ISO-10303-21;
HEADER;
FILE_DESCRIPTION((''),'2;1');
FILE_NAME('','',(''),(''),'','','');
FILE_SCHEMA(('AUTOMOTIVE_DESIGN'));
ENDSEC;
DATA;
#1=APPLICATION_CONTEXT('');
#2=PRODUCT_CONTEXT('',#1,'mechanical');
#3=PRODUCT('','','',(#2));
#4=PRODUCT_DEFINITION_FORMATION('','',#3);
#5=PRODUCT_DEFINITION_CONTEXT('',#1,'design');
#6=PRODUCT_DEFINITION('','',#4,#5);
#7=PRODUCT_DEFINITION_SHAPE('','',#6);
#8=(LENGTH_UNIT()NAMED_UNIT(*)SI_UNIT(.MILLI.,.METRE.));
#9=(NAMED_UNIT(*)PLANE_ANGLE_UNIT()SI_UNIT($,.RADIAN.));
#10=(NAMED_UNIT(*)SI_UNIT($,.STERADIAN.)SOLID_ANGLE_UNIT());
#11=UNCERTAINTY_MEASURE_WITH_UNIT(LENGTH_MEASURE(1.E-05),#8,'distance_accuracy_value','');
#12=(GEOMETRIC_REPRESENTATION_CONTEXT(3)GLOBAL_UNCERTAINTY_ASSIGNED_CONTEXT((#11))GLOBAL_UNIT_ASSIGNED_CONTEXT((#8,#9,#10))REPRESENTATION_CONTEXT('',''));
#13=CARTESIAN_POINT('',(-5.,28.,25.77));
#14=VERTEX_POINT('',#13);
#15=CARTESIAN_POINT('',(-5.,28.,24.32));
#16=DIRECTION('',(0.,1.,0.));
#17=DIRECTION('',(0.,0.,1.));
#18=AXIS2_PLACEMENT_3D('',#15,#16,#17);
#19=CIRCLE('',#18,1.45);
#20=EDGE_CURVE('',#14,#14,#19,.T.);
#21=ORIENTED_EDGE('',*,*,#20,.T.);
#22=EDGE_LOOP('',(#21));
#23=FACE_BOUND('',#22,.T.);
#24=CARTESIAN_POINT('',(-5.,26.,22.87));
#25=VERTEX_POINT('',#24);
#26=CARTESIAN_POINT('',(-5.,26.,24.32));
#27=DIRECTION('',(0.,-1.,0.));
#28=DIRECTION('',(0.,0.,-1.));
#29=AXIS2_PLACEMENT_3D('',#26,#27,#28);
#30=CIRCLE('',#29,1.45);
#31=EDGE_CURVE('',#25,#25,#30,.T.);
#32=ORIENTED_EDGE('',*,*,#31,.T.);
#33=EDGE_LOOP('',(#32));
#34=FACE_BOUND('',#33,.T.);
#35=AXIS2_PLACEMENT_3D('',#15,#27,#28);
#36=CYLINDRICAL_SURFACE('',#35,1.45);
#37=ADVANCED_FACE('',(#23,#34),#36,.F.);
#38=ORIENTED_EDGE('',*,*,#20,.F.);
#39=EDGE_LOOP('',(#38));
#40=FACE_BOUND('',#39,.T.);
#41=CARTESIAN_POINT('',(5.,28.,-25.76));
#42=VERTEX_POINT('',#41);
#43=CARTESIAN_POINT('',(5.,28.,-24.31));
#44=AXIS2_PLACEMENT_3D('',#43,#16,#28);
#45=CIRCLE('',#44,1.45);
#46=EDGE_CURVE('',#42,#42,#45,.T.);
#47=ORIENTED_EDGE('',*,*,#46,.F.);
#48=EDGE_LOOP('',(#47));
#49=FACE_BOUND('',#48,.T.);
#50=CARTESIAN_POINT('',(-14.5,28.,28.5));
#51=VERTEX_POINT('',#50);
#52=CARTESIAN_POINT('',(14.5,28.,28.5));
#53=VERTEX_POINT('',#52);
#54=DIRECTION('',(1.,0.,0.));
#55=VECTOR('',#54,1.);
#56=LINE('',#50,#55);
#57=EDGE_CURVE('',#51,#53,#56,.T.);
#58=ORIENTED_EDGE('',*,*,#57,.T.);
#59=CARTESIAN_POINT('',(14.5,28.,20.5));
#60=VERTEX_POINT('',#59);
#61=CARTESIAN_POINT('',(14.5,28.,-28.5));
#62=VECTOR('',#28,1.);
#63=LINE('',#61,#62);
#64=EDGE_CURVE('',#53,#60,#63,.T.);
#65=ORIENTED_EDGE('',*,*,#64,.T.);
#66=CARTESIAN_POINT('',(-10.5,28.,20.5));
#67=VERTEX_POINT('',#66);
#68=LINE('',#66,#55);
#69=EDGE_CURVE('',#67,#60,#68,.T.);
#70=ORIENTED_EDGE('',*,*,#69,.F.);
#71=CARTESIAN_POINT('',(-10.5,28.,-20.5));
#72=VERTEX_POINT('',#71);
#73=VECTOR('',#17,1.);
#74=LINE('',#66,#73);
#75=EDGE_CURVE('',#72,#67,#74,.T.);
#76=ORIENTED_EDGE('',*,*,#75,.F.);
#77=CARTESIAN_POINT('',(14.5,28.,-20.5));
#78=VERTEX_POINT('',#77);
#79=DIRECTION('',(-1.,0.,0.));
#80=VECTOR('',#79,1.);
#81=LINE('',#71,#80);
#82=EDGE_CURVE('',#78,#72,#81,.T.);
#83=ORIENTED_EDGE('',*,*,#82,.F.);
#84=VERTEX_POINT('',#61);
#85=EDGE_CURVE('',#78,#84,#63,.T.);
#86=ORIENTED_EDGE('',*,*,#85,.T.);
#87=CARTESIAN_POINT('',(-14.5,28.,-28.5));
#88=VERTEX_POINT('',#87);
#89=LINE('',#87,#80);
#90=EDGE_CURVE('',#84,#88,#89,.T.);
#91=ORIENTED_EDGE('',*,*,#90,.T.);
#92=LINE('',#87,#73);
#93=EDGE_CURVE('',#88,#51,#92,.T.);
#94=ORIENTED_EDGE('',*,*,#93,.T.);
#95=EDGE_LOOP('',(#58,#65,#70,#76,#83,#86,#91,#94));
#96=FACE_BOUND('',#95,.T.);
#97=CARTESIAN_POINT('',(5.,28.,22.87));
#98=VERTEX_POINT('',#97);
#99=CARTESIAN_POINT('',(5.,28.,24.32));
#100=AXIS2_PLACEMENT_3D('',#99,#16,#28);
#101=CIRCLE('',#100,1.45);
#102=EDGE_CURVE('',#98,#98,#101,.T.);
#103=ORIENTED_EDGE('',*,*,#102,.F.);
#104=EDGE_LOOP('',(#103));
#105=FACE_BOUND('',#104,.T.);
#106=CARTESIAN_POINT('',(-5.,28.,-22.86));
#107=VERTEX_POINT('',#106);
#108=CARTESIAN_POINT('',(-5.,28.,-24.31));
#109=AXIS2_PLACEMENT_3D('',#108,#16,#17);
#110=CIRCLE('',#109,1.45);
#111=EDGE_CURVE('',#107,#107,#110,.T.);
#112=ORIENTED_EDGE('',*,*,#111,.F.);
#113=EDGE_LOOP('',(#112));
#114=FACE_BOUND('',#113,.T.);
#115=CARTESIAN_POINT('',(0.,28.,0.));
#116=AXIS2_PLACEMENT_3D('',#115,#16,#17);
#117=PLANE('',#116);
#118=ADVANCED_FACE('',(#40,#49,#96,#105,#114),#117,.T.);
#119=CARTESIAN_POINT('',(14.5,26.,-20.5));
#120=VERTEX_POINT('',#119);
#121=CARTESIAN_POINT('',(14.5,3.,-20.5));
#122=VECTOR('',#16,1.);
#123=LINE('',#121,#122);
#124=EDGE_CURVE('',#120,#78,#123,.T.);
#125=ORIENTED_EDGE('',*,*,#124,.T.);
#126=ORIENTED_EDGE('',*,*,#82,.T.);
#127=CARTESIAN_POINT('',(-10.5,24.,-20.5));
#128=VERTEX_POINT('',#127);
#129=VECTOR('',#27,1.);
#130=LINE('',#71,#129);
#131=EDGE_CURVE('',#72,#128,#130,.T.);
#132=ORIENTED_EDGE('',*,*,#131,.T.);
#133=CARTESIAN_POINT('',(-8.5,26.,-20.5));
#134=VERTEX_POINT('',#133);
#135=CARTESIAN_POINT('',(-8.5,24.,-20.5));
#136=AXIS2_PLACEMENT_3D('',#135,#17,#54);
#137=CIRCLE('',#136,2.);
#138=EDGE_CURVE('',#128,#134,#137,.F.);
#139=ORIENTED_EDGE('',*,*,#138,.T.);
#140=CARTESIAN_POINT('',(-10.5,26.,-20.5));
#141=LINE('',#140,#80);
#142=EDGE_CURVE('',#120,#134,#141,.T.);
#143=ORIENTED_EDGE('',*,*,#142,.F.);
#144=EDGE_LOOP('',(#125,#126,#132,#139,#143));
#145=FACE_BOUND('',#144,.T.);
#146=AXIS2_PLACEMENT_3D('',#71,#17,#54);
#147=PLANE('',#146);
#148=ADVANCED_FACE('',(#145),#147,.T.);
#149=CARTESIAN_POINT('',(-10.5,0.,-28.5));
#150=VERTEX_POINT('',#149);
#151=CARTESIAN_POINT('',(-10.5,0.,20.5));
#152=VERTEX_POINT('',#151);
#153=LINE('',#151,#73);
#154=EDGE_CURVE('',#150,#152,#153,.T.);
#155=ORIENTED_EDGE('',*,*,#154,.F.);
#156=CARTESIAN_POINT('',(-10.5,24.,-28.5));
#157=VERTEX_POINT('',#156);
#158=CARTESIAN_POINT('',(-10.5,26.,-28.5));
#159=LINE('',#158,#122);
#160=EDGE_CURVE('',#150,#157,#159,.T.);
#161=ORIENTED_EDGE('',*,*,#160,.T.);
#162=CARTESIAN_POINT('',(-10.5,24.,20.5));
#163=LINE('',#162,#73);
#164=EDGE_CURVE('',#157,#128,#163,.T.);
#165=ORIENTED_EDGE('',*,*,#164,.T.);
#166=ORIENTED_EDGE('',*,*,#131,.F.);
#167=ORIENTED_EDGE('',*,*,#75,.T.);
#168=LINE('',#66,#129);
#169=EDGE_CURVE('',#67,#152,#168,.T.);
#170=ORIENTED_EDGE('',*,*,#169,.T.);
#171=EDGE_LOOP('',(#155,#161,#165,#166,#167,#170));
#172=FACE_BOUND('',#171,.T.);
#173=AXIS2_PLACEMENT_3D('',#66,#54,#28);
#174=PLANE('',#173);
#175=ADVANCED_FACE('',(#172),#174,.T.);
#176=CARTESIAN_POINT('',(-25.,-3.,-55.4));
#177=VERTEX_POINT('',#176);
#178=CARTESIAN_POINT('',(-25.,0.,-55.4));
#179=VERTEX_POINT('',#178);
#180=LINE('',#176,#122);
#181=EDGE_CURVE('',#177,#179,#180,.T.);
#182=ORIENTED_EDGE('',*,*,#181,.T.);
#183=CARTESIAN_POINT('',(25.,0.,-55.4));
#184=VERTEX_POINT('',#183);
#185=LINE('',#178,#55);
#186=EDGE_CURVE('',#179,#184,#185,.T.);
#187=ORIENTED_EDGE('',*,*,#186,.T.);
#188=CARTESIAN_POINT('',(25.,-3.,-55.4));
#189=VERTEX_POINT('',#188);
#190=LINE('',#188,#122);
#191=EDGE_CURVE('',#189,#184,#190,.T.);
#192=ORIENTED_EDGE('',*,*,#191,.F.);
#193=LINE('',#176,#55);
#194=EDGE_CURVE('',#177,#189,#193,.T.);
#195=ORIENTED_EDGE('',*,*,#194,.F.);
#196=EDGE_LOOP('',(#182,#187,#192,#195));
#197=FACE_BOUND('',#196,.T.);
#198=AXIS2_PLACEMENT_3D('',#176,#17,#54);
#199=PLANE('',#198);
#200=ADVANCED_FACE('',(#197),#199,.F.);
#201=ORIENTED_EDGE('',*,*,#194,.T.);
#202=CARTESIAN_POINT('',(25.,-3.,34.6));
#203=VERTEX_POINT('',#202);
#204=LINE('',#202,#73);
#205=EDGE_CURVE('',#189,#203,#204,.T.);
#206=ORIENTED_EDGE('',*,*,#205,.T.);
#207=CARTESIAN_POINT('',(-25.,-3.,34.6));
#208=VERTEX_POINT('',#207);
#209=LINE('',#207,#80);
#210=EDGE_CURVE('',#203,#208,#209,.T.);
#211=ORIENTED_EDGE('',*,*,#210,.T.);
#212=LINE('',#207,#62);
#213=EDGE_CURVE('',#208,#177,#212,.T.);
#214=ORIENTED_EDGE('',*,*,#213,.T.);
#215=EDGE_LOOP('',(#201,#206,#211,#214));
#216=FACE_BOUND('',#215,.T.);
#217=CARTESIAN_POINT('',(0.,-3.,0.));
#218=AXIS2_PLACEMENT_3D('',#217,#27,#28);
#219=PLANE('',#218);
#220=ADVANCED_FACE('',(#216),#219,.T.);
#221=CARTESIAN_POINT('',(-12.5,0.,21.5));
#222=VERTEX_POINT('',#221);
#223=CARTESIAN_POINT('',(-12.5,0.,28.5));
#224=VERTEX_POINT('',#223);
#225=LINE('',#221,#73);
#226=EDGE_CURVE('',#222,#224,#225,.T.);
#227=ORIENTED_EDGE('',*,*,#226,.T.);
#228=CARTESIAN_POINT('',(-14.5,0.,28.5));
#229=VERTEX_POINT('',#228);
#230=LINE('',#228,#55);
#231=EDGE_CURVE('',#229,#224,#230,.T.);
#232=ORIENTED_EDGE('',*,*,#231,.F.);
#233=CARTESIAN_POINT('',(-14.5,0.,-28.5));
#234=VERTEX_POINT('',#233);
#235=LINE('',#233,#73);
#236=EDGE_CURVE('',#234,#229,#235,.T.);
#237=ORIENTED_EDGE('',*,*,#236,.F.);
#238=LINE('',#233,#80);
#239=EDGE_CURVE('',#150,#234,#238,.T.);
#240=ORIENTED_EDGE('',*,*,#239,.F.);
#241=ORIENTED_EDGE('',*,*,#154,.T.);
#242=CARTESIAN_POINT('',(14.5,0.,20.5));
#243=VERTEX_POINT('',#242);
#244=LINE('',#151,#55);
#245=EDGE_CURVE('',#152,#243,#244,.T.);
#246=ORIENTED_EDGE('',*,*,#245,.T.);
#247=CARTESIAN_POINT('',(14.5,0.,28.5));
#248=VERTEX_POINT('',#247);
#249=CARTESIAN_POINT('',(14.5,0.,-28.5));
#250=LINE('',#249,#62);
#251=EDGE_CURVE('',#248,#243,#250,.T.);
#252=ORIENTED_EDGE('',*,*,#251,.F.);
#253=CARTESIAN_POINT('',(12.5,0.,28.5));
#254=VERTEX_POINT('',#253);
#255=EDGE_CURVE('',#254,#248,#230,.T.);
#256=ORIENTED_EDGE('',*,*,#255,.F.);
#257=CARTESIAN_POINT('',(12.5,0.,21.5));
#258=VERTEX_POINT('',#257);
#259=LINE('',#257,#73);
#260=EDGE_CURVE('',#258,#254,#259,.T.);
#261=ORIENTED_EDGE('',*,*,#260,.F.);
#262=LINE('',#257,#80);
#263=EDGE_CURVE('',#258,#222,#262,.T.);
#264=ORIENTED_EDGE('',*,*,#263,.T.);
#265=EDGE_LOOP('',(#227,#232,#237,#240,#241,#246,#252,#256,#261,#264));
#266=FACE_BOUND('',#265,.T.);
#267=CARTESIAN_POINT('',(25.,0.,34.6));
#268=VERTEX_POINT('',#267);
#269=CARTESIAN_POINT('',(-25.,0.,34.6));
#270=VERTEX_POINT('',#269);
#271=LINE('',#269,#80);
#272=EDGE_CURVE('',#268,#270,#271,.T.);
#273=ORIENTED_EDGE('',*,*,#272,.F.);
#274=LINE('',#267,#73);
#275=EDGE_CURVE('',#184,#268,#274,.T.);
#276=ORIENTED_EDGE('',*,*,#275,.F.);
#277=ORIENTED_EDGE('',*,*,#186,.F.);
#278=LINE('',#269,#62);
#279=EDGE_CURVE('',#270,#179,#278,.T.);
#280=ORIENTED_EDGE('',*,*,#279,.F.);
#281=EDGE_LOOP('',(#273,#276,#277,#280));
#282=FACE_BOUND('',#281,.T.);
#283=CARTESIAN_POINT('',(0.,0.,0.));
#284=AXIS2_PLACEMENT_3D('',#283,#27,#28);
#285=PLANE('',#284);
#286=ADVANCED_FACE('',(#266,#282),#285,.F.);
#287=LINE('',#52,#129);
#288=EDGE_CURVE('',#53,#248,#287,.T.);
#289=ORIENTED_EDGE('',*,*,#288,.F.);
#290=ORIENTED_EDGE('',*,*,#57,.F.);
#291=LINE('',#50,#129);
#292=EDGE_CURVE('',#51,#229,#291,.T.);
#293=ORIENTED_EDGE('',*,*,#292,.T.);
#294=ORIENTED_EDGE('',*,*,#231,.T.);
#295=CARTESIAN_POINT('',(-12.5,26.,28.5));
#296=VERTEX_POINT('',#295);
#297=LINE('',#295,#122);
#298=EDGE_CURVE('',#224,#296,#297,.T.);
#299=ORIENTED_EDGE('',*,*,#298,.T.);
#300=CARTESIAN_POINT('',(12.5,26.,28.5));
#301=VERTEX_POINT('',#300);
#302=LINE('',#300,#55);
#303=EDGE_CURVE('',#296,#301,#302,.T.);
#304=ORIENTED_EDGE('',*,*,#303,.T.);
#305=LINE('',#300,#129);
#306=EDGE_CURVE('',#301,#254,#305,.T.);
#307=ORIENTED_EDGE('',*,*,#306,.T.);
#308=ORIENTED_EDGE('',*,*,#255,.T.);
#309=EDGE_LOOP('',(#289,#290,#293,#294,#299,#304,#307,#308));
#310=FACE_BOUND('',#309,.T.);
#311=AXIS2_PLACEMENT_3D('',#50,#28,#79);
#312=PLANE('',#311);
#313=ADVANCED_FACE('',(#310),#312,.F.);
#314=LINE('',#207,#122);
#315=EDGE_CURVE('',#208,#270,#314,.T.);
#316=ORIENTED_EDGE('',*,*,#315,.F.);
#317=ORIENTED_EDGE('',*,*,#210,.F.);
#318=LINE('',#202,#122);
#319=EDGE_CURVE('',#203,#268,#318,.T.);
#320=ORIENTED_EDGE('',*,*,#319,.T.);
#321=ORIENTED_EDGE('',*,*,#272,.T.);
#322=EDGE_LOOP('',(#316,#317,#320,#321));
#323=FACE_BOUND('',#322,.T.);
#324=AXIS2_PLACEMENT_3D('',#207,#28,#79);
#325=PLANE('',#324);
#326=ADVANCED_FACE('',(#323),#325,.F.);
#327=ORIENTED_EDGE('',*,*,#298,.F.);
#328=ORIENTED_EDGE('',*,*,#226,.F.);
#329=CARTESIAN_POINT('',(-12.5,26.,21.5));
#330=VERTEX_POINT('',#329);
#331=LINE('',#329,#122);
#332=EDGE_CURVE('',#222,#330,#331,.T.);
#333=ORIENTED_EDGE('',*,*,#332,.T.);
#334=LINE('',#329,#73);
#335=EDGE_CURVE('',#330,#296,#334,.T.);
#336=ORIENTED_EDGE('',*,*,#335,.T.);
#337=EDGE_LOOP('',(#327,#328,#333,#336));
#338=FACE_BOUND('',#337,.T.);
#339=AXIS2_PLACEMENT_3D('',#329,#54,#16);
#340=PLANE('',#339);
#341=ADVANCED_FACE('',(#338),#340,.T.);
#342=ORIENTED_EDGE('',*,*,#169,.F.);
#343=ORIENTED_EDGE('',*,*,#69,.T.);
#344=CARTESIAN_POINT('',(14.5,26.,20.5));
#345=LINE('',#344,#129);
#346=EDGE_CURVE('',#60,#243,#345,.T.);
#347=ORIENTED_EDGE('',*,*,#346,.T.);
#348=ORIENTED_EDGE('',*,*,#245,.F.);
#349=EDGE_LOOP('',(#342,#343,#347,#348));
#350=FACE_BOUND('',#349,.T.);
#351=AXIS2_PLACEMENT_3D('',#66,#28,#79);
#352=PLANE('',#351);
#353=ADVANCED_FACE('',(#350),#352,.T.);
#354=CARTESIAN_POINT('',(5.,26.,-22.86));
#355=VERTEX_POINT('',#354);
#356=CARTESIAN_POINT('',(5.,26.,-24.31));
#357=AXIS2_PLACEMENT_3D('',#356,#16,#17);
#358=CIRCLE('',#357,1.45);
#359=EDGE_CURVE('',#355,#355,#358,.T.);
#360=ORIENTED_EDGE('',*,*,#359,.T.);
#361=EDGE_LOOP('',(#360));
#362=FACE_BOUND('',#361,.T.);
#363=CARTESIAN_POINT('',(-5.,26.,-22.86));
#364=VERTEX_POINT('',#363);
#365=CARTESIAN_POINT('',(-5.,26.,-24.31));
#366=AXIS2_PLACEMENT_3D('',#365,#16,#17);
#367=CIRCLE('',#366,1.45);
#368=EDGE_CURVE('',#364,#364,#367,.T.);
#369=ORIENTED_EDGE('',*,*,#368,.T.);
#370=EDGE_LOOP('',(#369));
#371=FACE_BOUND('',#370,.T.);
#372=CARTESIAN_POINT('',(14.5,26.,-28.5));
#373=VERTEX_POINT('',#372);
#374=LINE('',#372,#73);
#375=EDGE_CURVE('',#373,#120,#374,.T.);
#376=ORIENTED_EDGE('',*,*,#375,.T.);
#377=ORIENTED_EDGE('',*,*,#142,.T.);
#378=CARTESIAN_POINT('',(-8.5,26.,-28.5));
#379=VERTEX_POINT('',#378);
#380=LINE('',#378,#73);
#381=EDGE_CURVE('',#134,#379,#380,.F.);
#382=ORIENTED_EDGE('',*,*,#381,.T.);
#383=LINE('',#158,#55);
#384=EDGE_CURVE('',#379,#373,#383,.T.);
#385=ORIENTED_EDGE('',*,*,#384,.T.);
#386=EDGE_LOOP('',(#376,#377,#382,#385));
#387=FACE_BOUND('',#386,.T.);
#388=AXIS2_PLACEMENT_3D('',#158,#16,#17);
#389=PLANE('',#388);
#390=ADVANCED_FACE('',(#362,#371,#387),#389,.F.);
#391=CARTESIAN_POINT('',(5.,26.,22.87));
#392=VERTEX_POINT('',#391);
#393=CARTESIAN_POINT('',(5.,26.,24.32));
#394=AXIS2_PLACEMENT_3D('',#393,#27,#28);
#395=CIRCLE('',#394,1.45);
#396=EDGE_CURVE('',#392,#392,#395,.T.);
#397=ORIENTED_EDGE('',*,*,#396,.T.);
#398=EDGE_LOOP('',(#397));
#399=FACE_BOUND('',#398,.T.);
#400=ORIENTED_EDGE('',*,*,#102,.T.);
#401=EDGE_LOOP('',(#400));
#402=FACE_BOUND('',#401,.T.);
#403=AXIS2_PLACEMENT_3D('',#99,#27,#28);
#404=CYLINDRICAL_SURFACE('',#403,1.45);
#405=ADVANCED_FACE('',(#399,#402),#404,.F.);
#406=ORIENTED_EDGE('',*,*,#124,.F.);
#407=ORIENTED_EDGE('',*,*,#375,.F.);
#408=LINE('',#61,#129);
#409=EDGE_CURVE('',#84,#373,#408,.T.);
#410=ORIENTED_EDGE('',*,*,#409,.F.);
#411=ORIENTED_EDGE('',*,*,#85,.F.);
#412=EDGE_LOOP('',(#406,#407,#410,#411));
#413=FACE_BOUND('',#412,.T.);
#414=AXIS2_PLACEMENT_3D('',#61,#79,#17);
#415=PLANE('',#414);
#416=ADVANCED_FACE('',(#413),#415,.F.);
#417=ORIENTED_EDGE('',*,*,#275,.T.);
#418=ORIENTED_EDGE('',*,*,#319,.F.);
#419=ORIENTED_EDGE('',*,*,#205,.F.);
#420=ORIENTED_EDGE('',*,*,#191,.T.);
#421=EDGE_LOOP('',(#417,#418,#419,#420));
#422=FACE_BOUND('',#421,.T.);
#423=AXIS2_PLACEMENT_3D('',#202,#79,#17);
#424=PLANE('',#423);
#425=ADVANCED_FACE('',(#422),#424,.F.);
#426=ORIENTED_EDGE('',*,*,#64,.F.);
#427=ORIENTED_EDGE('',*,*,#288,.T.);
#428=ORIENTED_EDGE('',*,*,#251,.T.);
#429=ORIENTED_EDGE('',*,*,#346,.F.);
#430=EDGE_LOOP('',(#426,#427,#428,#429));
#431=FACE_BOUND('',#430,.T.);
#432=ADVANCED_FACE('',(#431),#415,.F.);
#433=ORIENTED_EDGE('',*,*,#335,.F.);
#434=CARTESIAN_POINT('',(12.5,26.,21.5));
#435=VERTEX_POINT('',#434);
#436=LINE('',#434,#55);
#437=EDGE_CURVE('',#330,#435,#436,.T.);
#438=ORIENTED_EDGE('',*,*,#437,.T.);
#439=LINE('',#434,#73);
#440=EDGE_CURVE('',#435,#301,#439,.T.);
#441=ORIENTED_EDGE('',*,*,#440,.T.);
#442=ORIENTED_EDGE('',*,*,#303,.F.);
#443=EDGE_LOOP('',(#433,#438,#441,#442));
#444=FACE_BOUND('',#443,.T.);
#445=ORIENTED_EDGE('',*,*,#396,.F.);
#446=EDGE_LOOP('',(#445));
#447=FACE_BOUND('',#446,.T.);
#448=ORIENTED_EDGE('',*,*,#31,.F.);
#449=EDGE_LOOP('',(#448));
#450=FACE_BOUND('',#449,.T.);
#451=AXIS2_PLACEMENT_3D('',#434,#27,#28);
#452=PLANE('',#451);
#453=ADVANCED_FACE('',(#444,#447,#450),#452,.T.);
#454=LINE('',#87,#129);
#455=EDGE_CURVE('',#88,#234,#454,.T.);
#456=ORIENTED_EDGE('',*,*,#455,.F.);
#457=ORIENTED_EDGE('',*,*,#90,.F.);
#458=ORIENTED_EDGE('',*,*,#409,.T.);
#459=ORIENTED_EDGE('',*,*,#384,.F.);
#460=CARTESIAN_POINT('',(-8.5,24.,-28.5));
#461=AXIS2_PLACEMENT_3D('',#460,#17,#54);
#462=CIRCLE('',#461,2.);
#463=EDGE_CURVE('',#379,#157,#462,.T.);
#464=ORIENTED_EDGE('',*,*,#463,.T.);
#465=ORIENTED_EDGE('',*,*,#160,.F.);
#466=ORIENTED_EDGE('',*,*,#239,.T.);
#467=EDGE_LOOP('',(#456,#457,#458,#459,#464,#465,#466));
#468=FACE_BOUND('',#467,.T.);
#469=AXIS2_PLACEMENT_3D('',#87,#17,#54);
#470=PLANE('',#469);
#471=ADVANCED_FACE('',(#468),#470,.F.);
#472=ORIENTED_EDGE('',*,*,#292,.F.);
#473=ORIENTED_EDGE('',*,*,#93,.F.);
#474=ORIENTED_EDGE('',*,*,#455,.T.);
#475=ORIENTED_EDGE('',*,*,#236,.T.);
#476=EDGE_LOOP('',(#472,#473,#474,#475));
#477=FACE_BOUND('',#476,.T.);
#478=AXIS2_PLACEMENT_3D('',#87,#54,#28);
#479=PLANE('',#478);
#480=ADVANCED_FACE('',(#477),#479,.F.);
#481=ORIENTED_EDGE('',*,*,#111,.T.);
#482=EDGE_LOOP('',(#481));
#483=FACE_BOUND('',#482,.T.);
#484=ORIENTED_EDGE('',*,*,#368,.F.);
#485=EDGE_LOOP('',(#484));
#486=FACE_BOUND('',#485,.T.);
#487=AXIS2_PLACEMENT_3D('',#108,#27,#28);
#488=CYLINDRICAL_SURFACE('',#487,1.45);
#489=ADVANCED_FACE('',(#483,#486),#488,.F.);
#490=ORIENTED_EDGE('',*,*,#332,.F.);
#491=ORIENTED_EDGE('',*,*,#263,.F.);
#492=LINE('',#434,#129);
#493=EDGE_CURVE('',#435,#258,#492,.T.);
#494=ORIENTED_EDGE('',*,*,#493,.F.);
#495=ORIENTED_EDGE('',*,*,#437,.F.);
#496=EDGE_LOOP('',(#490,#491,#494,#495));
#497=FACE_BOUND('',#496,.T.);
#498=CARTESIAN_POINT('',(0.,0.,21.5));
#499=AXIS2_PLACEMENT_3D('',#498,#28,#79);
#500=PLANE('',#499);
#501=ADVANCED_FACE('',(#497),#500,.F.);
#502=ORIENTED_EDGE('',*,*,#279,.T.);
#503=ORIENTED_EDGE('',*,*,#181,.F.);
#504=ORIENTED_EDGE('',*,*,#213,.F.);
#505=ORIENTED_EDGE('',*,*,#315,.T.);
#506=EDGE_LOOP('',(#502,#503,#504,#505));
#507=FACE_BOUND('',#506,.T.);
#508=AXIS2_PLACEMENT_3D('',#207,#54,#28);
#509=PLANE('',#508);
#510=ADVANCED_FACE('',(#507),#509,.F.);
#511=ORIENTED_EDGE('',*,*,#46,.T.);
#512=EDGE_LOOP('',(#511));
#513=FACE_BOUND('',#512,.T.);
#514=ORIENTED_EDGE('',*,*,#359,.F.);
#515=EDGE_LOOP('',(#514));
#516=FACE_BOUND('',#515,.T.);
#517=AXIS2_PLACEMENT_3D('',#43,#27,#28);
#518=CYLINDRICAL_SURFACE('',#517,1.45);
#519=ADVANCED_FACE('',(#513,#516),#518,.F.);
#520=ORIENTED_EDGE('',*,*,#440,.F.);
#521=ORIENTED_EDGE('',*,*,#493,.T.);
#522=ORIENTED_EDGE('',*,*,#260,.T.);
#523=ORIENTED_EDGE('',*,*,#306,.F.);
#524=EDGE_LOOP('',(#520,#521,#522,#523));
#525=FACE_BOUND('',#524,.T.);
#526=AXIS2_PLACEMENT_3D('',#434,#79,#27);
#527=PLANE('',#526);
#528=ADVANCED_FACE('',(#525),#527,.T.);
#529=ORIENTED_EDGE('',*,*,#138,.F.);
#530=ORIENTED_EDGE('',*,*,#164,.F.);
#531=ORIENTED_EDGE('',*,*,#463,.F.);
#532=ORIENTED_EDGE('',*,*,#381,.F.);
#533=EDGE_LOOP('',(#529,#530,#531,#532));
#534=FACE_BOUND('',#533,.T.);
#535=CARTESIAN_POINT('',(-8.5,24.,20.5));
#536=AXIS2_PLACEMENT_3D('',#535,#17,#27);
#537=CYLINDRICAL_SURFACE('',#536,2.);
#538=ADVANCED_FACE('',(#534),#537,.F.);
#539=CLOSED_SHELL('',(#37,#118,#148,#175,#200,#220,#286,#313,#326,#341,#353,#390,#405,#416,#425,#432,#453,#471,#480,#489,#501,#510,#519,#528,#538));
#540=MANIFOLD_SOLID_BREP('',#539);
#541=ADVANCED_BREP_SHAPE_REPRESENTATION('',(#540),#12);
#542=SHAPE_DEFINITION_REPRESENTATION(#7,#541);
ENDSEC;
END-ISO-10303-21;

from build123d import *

# Parameters (mm, degrees)
SKETCH_1_W          = 29
SKETCH_1_H          = 57
SKETCH_1_R          = 1.45
SKETCH_1_W_2        = 21
SKETCH_1_H_2        = 41
EXTRUDE_1_DEPTH     = 28
SKETCH_2_W          = 25
SKETCH_2_H          = 26
CUT_EXTRUDE_1_DEPTH = 7
SKETCH_3_W          = 49
SKETCH_3_H          = 26
CUT_EXTRUDE_2_DEPTH = 25
SKETCH_4_W          = 4
SKETCH_4_H          = 41
CUT_EXTRUDE_3_DEPTH = 25
FILLET_1_R          = 2
SKETCH_5_W          = 50
SKETCH_5_H          = 90
EXTRUDE_2_DEPTH     = 3


with BuildPart() as part:
    # 스케치1 → 보스-돌출1 (new body)
    with BuildSketch(Plane(origin=(0, 0, 0), x_dir=(1, 0, 0), z_dir=(0, 1, 0))):
        Rectangle(SKETCH_1_W, SKETCH_1_H)
        with Locations(Location((-5, 24.31, 0), (0, 0, 270))):
            Circle(SKETCH_1_R, mode=Mode.SUBTRACT)
        with Locations(Location((-5, -24.32, 0), (0, 0, 270))):
            Circle(SKETCH_1_R, mode=Mode.SUBTRACT)
        with Locations(Location((5, -24.32, 0), (0, 0, 90))):
            Circle(SKETCH_1_R, mode=Mode.SUBTRACT)
        with Locations(Location((5, 24.31, 0), (0, 0, 90))):
            Circle(SKETCH_1_R, mode=Mode.SUBTRACT)
        Rectangle(SKETCH_1_W_2, SKETCH_1_H_2, mode=Mode.SUBTRACT)
    extrude(amount=EXTRUDE_1_DEPTH)

    # 스케치2 → 컷-돌출1 (cut)
    with BuildSketch(Plane(origin=(-14, 0, 28.5), x_dir=(-1, 0, 0), z_dir=(0, 0, -1))):
        with Locations((-14, 13)):
            Rectangle(SKETCH_2_W, SKETCH_2_H)
    extrude(amount=CUT_EXTRUDE_1_DEPTH, mode=Mode.SUBTRACT)

    # 스케치3 → 컷-돌출2 (cut)
    with BuildSketch(Plane(origin=(14.5, 0, 0), x_dir=(0, 0, -1), z_dir=(1, 0, 0))):
        with Locations((4, 13)):
            Rectangle(SKETCH_3_W, SKETCH_3_H)
    extrude(amount=-CUT_EXTRUDE_2_DEPTH, mode=Mode.SUBTRACT)

    # 스케치4 → 컷-돌출3 (cut)
    with BuildSketch(Plane(origin=(0, 28, 0), x_dir=(1, 0, 0), z_dir=(0, 1, 0))):
        with Locations((12.5, 0)):
            Rectangle(SKETCH_4_W, SKETCH_4_H)
    extrude(amount=-CUT_EXTRUDE_3_DEPTH, mode=Mode.SUBTRACT)

    # 필렛1
    fillet_1_edges = [part.edges().sort_by_distance(p)[0] for p in [
        (-10.5, 26, -24.5),
    ]]
    fillet(fillet_1_edges, radius=FILLET_1_R)

    # 스케치5 → 보스-돌출2 (add)
    with BuildSketch(Plane.XZ):
        with Locations((0, -10.4)):
            Rectangle(SKETCH_5_W, SKETCH_5_H)
    extrude(amount=EXTRUDE_2_DEPTH)


solid = part.part
